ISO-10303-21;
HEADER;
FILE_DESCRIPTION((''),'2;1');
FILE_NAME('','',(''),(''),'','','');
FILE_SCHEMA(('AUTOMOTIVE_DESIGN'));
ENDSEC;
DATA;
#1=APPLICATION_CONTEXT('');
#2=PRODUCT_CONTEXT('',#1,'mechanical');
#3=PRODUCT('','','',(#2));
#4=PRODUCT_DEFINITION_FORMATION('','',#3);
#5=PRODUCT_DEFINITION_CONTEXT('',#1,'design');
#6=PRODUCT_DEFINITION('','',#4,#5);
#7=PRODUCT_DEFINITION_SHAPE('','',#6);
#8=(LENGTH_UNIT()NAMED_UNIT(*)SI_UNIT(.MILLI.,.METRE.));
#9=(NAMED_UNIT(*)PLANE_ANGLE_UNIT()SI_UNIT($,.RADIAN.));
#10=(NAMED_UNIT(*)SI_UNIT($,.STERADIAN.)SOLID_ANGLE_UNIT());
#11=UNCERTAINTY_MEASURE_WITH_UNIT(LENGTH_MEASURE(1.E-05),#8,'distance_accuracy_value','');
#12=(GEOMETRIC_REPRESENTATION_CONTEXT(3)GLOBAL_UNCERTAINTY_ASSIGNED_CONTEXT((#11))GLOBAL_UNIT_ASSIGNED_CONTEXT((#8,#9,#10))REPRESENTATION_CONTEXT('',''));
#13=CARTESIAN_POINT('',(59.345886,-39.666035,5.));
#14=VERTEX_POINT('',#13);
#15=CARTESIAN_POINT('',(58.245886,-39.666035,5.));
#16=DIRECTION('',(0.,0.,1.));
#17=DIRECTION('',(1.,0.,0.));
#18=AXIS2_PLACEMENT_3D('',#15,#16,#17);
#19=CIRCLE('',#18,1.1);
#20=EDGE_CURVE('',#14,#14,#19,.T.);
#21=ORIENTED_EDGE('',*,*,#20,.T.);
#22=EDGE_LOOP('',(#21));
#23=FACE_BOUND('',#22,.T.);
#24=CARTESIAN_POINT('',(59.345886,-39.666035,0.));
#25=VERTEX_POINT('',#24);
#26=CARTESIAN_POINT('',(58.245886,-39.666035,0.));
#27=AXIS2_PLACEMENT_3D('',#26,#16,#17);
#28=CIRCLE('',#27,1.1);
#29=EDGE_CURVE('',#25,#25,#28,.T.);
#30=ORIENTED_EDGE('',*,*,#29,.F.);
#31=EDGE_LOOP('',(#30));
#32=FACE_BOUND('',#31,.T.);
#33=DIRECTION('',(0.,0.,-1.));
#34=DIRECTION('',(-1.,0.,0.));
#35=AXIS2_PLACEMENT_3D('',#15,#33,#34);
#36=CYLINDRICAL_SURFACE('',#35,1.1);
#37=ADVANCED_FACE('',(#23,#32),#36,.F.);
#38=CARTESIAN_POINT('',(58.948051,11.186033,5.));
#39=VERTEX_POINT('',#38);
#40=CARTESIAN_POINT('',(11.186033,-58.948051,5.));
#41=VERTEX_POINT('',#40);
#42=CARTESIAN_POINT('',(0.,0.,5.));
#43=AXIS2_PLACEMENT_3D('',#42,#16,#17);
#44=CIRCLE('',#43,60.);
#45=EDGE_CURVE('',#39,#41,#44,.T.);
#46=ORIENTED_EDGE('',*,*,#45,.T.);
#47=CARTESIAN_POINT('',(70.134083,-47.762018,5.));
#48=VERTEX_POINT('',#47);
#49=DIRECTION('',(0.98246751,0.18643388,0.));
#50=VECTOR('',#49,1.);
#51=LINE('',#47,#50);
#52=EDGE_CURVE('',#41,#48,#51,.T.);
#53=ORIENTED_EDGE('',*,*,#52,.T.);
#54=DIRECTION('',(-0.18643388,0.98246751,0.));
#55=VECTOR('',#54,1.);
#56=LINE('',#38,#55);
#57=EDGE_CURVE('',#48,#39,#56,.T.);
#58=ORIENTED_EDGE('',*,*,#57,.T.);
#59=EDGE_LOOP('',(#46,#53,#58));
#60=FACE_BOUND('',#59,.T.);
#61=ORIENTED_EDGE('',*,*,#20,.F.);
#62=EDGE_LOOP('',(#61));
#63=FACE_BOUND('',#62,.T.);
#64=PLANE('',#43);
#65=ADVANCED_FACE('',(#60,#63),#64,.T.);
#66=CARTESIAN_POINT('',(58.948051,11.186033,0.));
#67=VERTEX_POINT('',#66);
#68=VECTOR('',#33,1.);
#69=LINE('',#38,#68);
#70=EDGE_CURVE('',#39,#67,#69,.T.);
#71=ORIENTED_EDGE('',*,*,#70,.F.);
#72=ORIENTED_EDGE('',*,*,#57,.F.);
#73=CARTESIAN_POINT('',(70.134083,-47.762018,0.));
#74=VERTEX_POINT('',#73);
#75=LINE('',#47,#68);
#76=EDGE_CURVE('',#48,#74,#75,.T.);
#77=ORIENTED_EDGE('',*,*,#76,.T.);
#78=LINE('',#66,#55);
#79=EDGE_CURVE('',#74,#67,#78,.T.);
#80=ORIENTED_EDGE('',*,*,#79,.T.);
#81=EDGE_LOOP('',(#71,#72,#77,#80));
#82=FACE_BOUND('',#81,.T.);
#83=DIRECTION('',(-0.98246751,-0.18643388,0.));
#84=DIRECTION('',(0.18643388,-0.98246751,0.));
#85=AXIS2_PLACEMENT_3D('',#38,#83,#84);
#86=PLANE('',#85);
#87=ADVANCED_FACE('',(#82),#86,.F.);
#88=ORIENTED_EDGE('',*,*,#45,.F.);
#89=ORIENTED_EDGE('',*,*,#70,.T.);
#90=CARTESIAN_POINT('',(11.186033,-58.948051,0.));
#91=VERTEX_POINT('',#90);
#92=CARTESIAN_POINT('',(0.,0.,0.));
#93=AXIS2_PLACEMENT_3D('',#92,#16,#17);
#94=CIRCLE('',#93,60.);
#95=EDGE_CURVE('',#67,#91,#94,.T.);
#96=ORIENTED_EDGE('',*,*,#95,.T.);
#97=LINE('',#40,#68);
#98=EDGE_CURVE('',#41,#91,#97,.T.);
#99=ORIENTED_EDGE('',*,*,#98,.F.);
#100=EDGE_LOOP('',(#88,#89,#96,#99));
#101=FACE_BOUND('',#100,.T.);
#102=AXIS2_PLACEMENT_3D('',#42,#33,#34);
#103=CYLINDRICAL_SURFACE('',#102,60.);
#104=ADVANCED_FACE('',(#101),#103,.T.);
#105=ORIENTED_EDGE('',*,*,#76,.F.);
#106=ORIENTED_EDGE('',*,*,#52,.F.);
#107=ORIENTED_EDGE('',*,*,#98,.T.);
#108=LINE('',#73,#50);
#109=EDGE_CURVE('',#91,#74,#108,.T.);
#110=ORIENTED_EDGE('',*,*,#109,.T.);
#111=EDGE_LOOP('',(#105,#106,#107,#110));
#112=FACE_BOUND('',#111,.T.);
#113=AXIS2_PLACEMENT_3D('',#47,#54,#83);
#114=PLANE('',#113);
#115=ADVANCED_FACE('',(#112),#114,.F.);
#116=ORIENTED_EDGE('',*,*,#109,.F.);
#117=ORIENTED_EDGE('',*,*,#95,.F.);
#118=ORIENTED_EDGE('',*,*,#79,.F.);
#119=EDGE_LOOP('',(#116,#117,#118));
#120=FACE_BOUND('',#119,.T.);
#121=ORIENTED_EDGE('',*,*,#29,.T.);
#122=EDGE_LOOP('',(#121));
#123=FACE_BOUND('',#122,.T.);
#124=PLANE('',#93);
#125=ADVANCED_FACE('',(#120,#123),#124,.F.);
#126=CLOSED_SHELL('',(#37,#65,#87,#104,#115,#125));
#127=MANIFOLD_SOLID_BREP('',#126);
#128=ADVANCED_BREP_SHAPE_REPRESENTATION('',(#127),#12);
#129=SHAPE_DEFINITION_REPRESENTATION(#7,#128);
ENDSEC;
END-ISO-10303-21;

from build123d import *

# Parameters (mm, degrees)
SKETCH1_R           = 1.1
BOSS_EXTRUDE1_DEPTH = 5


with BuildPart() as part:
    # Sketch1 → Boss-Extrude1 (new body)
    with BuildSketch(Plane.XY):
        with BuildLine():
            Line((58.948050608, 11.186032786), (70.134083395, -47.762017822))
            Line((70.134083395, -47.762017822), (11.186032786, -58.948050608))
            ThreePointArc((11.186032786, -58.948050608), (-49.592285961, 33.772846685), (58.948050608, 11.186032786))
        make_face()
        with Locations((58.245885753, -39.666035381)):
            Circle(SKETCH1_R, mode=Mode.SUBTRACT)
    extrude(amount=BOSS_EXTRUDE1_DEPTH)


solid = part.part
